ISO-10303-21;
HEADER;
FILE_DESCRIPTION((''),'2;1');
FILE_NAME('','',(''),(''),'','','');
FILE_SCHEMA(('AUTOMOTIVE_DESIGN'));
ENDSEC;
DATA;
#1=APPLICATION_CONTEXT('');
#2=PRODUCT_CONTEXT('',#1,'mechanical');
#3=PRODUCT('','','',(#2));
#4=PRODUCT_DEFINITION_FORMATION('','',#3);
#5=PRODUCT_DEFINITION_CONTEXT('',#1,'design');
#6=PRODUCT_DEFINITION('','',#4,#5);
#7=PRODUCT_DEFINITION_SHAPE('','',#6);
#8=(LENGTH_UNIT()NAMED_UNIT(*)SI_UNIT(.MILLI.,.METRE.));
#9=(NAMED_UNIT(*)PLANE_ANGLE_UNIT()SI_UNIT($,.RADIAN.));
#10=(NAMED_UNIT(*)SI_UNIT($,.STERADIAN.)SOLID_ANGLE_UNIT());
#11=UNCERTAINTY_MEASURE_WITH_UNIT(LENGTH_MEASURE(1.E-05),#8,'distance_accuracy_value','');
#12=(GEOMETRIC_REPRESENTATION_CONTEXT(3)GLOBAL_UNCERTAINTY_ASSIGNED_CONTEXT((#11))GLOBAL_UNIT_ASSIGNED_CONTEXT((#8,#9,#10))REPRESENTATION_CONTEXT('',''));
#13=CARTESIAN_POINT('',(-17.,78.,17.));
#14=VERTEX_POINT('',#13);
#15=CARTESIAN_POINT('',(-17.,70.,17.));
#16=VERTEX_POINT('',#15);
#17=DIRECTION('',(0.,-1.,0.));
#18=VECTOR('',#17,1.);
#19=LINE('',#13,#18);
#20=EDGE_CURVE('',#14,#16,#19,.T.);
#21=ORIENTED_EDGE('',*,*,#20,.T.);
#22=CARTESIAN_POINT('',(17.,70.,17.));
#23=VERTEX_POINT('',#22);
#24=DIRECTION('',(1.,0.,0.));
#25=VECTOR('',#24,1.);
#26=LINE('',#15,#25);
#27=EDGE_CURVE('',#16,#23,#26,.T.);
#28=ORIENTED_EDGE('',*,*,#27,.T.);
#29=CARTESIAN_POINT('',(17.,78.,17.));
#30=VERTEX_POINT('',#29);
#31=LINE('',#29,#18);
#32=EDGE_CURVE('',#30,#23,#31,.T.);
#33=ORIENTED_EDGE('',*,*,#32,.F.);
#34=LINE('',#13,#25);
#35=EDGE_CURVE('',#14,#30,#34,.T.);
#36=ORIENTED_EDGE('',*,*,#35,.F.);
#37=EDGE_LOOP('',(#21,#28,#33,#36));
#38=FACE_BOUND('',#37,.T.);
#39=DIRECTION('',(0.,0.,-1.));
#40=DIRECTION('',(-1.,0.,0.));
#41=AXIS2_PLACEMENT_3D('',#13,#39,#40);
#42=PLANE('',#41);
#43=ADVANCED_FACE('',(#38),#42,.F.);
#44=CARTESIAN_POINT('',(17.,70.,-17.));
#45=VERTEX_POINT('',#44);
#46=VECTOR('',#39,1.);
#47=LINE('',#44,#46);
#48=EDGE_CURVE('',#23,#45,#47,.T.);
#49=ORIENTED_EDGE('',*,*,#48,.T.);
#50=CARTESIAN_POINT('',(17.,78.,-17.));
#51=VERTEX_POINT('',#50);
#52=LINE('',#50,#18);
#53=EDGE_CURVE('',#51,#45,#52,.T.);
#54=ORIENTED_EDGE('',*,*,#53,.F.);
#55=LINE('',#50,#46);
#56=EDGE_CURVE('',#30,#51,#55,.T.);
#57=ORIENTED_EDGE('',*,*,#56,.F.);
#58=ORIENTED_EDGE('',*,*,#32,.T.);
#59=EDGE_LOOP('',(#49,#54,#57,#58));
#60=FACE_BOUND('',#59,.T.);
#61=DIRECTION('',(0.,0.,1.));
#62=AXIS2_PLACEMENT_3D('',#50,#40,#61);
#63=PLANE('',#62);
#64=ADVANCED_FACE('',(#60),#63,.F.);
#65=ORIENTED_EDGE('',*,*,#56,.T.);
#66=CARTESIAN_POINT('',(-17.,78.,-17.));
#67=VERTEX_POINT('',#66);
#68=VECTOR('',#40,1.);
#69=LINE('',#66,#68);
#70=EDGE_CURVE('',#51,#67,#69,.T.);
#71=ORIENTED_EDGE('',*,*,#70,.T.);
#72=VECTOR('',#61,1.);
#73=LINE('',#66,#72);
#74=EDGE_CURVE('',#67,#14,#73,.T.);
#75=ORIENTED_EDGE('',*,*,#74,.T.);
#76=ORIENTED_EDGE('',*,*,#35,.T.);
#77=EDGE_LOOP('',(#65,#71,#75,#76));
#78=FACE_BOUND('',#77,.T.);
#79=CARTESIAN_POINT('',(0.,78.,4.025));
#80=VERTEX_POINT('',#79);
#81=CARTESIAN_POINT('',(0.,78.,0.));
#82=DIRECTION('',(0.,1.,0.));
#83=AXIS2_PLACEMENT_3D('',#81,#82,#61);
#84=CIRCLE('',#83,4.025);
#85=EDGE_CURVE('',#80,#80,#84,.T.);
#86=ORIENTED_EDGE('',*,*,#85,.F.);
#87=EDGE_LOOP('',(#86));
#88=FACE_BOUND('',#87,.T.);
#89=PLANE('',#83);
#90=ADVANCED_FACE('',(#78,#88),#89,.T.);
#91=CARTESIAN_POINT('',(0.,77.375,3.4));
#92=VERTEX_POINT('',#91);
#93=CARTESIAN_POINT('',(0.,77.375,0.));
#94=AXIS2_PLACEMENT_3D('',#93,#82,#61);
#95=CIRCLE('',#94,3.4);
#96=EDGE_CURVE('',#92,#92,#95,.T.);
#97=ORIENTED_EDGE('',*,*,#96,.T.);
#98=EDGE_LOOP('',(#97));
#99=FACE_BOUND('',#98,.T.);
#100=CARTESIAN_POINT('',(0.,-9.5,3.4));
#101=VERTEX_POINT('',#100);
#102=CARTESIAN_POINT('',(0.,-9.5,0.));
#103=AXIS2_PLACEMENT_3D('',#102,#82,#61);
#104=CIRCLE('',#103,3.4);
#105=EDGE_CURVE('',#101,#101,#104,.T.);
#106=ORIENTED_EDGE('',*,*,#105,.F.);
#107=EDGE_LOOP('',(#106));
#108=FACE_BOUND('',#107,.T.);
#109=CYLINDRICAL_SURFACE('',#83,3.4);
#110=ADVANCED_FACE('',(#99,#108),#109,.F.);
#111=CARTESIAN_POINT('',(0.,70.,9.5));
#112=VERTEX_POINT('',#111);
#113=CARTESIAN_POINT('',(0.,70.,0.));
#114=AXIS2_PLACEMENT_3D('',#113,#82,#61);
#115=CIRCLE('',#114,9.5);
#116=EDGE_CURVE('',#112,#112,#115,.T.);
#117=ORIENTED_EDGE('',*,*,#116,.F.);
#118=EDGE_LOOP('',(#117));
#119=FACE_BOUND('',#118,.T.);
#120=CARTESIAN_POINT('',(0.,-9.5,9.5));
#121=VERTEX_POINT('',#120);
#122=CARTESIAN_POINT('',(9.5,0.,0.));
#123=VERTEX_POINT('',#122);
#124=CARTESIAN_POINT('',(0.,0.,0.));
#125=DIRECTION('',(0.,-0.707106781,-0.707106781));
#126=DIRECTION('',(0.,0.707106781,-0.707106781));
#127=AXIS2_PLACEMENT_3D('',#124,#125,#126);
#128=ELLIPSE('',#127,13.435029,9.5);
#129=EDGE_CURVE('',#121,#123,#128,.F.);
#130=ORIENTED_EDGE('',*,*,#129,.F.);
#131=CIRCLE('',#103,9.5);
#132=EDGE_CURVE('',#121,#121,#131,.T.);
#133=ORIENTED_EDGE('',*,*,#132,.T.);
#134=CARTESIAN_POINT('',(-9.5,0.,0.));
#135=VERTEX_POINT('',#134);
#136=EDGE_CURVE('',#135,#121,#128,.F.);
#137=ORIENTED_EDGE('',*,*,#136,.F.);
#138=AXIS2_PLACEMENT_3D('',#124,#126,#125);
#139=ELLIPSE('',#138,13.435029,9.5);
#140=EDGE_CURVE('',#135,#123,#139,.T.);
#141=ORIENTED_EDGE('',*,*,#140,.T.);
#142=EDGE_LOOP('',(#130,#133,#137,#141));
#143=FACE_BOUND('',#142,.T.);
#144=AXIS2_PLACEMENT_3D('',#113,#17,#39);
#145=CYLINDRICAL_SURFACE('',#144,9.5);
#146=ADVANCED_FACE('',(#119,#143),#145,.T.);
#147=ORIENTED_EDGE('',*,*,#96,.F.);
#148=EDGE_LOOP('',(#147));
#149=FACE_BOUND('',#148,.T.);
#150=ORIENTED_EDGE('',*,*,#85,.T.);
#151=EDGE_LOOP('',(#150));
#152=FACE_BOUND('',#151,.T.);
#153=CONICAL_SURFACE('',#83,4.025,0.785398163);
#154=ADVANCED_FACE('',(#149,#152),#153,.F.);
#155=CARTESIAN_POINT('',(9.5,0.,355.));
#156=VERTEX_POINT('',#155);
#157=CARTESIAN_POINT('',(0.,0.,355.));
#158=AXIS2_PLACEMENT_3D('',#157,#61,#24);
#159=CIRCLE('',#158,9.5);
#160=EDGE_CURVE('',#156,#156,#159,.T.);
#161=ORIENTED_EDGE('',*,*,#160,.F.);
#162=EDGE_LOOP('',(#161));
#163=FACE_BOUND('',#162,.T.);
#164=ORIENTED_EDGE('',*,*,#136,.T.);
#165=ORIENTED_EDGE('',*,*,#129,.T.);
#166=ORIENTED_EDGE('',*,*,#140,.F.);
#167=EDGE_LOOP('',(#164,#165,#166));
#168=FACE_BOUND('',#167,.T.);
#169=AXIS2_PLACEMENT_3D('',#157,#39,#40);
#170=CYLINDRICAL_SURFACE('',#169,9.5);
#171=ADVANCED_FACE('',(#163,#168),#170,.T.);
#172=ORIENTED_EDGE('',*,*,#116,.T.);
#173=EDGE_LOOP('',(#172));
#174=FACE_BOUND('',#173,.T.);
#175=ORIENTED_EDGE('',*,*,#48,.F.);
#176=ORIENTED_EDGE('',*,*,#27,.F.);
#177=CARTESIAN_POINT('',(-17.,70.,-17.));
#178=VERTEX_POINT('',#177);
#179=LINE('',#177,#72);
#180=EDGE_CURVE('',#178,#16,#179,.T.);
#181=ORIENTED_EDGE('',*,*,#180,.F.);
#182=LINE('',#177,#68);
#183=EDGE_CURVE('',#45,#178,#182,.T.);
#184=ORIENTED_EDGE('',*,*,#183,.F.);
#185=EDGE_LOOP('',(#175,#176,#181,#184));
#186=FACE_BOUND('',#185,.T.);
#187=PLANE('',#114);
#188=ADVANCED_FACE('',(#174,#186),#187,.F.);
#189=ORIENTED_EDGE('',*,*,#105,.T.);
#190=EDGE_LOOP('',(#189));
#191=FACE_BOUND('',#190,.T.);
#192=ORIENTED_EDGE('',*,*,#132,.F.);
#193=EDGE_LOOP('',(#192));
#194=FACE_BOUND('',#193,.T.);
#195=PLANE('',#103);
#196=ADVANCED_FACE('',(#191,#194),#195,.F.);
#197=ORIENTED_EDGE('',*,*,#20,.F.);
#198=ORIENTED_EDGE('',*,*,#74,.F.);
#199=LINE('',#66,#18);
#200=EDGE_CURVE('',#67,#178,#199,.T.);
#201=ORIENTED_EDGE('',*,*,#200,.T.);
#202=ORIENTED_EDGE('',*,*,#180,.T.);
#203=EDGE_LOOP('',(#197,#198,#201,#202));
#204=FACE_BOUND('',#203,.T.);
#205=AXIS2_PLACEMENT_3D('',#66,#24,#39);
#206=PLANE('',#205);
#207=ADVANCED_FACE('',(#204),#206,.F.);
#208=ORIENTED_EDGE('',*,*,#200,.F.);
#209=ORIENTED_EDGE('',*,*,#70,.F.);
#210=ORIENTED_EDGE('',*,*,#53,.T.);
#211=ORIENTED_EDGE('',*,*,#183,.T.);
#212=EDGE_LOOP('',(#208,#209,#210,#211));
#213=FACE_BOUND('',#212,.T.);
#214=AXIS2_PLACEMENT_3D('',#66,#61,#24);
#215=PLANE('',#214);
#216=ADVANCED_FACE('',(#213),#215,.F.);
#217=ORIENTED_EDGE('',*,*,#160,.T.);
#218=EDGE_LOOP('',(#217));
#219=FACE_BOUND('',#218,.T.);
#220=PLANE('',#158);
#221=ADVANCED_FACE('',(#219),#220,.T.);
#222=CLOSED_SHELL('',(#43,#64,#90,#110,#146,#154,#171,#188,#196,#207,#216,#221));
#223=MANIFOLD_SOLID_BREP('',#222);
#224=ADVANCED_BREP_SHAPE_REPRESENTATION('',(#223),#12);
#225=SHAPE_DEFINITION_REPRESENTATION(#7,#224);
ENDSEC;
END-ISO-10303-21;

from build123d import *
from build123d.topology import SkipClean

# Parameters (mm, degrees)
SKETCH2_R                        = 9.5
BOSS_EXTRUDE1_DEPTH              = 355
SKETCH3_R                        = 9.5
BOSS_EXTRUDE2_DEPTH              = 70
BOSS_EXTRUDE3_START              = -9.5
SKETCH3_2_R                      = 9.5
BOSS_EXTRUDE3_DEPTH              = 9.5
SKETCH5_W                        = 34
SKETCH5_H                        = 34
BOSS_EXTRUDE4_DEPTH              = 8
M8X1_25_TAPPED_HOLE1_D           = 6.8
M8X1_25_TAPPED_HOLE1_CSINK_D     = 8.05
M8X1_25_TAPPED_HOLE1_CSINK_ANGLE = 90


with BuildPart() as part:
    # Sketch2 → Boss-Extrude1 (new body)
    with BuildSketch(Plane.XY):
        Circle(SKETCH2_R)
    extrude(amount=BOSS_EXTRUDE1_DEPTH)

    # Sketch3 → Boss-Extrude2 (add)
    with BuildSketch(Plane(origin=(0, 0, 0), x_dir=(1, 0, 0), z_dir=(0, 1, 0))):
        Circle(SKETCH3_R)
    extrude(amount=BOSS_EXTRUDE2_DEPTH)

    # Sketch3<2> → Boss-Extrude3 (add)
    with SkipClean():  # the faces are left unmerged after this step: merging them gives an invalid solid
        with BuildSketch(Plane(origin=(0, 0, 0), x_dir=(1, 0, 0), z_dir=(0, 1, 0)).offset(BOSS_EXTRUDE3_START)):
            Circle(SKETCH3_2_R)
        extrude(amount=BOSS_EXTRUDE3_DEPTH)

    # Sketch5 → Boss-Extrude4 (add)
    with BuildSketch(Plane(origin=(0, 70, 0), x_dir=(1, 0, 0), z_dir=(0, 1, 0))):
        Rectangle(SKETCH5_W, SKETCH5_H)
    extrude(amount=BOSS_EXTRUDE4_DEPTH)

    # M8x1.25 Tapped Hole1 (through all)
    with Locations(Plane.ZX.offset(78)):
        with Locations((0, 0)):
            CounterSinkHole(M8X1_25_TAPPED_HOLE1_D / 2, M8X1_25_TAPPED_HOLE1_CSINK_D / 2, counter_sink_angle=M8X1_25_TAPPED_HOLE1_CSINK_ANGLE)


solid = part.part
